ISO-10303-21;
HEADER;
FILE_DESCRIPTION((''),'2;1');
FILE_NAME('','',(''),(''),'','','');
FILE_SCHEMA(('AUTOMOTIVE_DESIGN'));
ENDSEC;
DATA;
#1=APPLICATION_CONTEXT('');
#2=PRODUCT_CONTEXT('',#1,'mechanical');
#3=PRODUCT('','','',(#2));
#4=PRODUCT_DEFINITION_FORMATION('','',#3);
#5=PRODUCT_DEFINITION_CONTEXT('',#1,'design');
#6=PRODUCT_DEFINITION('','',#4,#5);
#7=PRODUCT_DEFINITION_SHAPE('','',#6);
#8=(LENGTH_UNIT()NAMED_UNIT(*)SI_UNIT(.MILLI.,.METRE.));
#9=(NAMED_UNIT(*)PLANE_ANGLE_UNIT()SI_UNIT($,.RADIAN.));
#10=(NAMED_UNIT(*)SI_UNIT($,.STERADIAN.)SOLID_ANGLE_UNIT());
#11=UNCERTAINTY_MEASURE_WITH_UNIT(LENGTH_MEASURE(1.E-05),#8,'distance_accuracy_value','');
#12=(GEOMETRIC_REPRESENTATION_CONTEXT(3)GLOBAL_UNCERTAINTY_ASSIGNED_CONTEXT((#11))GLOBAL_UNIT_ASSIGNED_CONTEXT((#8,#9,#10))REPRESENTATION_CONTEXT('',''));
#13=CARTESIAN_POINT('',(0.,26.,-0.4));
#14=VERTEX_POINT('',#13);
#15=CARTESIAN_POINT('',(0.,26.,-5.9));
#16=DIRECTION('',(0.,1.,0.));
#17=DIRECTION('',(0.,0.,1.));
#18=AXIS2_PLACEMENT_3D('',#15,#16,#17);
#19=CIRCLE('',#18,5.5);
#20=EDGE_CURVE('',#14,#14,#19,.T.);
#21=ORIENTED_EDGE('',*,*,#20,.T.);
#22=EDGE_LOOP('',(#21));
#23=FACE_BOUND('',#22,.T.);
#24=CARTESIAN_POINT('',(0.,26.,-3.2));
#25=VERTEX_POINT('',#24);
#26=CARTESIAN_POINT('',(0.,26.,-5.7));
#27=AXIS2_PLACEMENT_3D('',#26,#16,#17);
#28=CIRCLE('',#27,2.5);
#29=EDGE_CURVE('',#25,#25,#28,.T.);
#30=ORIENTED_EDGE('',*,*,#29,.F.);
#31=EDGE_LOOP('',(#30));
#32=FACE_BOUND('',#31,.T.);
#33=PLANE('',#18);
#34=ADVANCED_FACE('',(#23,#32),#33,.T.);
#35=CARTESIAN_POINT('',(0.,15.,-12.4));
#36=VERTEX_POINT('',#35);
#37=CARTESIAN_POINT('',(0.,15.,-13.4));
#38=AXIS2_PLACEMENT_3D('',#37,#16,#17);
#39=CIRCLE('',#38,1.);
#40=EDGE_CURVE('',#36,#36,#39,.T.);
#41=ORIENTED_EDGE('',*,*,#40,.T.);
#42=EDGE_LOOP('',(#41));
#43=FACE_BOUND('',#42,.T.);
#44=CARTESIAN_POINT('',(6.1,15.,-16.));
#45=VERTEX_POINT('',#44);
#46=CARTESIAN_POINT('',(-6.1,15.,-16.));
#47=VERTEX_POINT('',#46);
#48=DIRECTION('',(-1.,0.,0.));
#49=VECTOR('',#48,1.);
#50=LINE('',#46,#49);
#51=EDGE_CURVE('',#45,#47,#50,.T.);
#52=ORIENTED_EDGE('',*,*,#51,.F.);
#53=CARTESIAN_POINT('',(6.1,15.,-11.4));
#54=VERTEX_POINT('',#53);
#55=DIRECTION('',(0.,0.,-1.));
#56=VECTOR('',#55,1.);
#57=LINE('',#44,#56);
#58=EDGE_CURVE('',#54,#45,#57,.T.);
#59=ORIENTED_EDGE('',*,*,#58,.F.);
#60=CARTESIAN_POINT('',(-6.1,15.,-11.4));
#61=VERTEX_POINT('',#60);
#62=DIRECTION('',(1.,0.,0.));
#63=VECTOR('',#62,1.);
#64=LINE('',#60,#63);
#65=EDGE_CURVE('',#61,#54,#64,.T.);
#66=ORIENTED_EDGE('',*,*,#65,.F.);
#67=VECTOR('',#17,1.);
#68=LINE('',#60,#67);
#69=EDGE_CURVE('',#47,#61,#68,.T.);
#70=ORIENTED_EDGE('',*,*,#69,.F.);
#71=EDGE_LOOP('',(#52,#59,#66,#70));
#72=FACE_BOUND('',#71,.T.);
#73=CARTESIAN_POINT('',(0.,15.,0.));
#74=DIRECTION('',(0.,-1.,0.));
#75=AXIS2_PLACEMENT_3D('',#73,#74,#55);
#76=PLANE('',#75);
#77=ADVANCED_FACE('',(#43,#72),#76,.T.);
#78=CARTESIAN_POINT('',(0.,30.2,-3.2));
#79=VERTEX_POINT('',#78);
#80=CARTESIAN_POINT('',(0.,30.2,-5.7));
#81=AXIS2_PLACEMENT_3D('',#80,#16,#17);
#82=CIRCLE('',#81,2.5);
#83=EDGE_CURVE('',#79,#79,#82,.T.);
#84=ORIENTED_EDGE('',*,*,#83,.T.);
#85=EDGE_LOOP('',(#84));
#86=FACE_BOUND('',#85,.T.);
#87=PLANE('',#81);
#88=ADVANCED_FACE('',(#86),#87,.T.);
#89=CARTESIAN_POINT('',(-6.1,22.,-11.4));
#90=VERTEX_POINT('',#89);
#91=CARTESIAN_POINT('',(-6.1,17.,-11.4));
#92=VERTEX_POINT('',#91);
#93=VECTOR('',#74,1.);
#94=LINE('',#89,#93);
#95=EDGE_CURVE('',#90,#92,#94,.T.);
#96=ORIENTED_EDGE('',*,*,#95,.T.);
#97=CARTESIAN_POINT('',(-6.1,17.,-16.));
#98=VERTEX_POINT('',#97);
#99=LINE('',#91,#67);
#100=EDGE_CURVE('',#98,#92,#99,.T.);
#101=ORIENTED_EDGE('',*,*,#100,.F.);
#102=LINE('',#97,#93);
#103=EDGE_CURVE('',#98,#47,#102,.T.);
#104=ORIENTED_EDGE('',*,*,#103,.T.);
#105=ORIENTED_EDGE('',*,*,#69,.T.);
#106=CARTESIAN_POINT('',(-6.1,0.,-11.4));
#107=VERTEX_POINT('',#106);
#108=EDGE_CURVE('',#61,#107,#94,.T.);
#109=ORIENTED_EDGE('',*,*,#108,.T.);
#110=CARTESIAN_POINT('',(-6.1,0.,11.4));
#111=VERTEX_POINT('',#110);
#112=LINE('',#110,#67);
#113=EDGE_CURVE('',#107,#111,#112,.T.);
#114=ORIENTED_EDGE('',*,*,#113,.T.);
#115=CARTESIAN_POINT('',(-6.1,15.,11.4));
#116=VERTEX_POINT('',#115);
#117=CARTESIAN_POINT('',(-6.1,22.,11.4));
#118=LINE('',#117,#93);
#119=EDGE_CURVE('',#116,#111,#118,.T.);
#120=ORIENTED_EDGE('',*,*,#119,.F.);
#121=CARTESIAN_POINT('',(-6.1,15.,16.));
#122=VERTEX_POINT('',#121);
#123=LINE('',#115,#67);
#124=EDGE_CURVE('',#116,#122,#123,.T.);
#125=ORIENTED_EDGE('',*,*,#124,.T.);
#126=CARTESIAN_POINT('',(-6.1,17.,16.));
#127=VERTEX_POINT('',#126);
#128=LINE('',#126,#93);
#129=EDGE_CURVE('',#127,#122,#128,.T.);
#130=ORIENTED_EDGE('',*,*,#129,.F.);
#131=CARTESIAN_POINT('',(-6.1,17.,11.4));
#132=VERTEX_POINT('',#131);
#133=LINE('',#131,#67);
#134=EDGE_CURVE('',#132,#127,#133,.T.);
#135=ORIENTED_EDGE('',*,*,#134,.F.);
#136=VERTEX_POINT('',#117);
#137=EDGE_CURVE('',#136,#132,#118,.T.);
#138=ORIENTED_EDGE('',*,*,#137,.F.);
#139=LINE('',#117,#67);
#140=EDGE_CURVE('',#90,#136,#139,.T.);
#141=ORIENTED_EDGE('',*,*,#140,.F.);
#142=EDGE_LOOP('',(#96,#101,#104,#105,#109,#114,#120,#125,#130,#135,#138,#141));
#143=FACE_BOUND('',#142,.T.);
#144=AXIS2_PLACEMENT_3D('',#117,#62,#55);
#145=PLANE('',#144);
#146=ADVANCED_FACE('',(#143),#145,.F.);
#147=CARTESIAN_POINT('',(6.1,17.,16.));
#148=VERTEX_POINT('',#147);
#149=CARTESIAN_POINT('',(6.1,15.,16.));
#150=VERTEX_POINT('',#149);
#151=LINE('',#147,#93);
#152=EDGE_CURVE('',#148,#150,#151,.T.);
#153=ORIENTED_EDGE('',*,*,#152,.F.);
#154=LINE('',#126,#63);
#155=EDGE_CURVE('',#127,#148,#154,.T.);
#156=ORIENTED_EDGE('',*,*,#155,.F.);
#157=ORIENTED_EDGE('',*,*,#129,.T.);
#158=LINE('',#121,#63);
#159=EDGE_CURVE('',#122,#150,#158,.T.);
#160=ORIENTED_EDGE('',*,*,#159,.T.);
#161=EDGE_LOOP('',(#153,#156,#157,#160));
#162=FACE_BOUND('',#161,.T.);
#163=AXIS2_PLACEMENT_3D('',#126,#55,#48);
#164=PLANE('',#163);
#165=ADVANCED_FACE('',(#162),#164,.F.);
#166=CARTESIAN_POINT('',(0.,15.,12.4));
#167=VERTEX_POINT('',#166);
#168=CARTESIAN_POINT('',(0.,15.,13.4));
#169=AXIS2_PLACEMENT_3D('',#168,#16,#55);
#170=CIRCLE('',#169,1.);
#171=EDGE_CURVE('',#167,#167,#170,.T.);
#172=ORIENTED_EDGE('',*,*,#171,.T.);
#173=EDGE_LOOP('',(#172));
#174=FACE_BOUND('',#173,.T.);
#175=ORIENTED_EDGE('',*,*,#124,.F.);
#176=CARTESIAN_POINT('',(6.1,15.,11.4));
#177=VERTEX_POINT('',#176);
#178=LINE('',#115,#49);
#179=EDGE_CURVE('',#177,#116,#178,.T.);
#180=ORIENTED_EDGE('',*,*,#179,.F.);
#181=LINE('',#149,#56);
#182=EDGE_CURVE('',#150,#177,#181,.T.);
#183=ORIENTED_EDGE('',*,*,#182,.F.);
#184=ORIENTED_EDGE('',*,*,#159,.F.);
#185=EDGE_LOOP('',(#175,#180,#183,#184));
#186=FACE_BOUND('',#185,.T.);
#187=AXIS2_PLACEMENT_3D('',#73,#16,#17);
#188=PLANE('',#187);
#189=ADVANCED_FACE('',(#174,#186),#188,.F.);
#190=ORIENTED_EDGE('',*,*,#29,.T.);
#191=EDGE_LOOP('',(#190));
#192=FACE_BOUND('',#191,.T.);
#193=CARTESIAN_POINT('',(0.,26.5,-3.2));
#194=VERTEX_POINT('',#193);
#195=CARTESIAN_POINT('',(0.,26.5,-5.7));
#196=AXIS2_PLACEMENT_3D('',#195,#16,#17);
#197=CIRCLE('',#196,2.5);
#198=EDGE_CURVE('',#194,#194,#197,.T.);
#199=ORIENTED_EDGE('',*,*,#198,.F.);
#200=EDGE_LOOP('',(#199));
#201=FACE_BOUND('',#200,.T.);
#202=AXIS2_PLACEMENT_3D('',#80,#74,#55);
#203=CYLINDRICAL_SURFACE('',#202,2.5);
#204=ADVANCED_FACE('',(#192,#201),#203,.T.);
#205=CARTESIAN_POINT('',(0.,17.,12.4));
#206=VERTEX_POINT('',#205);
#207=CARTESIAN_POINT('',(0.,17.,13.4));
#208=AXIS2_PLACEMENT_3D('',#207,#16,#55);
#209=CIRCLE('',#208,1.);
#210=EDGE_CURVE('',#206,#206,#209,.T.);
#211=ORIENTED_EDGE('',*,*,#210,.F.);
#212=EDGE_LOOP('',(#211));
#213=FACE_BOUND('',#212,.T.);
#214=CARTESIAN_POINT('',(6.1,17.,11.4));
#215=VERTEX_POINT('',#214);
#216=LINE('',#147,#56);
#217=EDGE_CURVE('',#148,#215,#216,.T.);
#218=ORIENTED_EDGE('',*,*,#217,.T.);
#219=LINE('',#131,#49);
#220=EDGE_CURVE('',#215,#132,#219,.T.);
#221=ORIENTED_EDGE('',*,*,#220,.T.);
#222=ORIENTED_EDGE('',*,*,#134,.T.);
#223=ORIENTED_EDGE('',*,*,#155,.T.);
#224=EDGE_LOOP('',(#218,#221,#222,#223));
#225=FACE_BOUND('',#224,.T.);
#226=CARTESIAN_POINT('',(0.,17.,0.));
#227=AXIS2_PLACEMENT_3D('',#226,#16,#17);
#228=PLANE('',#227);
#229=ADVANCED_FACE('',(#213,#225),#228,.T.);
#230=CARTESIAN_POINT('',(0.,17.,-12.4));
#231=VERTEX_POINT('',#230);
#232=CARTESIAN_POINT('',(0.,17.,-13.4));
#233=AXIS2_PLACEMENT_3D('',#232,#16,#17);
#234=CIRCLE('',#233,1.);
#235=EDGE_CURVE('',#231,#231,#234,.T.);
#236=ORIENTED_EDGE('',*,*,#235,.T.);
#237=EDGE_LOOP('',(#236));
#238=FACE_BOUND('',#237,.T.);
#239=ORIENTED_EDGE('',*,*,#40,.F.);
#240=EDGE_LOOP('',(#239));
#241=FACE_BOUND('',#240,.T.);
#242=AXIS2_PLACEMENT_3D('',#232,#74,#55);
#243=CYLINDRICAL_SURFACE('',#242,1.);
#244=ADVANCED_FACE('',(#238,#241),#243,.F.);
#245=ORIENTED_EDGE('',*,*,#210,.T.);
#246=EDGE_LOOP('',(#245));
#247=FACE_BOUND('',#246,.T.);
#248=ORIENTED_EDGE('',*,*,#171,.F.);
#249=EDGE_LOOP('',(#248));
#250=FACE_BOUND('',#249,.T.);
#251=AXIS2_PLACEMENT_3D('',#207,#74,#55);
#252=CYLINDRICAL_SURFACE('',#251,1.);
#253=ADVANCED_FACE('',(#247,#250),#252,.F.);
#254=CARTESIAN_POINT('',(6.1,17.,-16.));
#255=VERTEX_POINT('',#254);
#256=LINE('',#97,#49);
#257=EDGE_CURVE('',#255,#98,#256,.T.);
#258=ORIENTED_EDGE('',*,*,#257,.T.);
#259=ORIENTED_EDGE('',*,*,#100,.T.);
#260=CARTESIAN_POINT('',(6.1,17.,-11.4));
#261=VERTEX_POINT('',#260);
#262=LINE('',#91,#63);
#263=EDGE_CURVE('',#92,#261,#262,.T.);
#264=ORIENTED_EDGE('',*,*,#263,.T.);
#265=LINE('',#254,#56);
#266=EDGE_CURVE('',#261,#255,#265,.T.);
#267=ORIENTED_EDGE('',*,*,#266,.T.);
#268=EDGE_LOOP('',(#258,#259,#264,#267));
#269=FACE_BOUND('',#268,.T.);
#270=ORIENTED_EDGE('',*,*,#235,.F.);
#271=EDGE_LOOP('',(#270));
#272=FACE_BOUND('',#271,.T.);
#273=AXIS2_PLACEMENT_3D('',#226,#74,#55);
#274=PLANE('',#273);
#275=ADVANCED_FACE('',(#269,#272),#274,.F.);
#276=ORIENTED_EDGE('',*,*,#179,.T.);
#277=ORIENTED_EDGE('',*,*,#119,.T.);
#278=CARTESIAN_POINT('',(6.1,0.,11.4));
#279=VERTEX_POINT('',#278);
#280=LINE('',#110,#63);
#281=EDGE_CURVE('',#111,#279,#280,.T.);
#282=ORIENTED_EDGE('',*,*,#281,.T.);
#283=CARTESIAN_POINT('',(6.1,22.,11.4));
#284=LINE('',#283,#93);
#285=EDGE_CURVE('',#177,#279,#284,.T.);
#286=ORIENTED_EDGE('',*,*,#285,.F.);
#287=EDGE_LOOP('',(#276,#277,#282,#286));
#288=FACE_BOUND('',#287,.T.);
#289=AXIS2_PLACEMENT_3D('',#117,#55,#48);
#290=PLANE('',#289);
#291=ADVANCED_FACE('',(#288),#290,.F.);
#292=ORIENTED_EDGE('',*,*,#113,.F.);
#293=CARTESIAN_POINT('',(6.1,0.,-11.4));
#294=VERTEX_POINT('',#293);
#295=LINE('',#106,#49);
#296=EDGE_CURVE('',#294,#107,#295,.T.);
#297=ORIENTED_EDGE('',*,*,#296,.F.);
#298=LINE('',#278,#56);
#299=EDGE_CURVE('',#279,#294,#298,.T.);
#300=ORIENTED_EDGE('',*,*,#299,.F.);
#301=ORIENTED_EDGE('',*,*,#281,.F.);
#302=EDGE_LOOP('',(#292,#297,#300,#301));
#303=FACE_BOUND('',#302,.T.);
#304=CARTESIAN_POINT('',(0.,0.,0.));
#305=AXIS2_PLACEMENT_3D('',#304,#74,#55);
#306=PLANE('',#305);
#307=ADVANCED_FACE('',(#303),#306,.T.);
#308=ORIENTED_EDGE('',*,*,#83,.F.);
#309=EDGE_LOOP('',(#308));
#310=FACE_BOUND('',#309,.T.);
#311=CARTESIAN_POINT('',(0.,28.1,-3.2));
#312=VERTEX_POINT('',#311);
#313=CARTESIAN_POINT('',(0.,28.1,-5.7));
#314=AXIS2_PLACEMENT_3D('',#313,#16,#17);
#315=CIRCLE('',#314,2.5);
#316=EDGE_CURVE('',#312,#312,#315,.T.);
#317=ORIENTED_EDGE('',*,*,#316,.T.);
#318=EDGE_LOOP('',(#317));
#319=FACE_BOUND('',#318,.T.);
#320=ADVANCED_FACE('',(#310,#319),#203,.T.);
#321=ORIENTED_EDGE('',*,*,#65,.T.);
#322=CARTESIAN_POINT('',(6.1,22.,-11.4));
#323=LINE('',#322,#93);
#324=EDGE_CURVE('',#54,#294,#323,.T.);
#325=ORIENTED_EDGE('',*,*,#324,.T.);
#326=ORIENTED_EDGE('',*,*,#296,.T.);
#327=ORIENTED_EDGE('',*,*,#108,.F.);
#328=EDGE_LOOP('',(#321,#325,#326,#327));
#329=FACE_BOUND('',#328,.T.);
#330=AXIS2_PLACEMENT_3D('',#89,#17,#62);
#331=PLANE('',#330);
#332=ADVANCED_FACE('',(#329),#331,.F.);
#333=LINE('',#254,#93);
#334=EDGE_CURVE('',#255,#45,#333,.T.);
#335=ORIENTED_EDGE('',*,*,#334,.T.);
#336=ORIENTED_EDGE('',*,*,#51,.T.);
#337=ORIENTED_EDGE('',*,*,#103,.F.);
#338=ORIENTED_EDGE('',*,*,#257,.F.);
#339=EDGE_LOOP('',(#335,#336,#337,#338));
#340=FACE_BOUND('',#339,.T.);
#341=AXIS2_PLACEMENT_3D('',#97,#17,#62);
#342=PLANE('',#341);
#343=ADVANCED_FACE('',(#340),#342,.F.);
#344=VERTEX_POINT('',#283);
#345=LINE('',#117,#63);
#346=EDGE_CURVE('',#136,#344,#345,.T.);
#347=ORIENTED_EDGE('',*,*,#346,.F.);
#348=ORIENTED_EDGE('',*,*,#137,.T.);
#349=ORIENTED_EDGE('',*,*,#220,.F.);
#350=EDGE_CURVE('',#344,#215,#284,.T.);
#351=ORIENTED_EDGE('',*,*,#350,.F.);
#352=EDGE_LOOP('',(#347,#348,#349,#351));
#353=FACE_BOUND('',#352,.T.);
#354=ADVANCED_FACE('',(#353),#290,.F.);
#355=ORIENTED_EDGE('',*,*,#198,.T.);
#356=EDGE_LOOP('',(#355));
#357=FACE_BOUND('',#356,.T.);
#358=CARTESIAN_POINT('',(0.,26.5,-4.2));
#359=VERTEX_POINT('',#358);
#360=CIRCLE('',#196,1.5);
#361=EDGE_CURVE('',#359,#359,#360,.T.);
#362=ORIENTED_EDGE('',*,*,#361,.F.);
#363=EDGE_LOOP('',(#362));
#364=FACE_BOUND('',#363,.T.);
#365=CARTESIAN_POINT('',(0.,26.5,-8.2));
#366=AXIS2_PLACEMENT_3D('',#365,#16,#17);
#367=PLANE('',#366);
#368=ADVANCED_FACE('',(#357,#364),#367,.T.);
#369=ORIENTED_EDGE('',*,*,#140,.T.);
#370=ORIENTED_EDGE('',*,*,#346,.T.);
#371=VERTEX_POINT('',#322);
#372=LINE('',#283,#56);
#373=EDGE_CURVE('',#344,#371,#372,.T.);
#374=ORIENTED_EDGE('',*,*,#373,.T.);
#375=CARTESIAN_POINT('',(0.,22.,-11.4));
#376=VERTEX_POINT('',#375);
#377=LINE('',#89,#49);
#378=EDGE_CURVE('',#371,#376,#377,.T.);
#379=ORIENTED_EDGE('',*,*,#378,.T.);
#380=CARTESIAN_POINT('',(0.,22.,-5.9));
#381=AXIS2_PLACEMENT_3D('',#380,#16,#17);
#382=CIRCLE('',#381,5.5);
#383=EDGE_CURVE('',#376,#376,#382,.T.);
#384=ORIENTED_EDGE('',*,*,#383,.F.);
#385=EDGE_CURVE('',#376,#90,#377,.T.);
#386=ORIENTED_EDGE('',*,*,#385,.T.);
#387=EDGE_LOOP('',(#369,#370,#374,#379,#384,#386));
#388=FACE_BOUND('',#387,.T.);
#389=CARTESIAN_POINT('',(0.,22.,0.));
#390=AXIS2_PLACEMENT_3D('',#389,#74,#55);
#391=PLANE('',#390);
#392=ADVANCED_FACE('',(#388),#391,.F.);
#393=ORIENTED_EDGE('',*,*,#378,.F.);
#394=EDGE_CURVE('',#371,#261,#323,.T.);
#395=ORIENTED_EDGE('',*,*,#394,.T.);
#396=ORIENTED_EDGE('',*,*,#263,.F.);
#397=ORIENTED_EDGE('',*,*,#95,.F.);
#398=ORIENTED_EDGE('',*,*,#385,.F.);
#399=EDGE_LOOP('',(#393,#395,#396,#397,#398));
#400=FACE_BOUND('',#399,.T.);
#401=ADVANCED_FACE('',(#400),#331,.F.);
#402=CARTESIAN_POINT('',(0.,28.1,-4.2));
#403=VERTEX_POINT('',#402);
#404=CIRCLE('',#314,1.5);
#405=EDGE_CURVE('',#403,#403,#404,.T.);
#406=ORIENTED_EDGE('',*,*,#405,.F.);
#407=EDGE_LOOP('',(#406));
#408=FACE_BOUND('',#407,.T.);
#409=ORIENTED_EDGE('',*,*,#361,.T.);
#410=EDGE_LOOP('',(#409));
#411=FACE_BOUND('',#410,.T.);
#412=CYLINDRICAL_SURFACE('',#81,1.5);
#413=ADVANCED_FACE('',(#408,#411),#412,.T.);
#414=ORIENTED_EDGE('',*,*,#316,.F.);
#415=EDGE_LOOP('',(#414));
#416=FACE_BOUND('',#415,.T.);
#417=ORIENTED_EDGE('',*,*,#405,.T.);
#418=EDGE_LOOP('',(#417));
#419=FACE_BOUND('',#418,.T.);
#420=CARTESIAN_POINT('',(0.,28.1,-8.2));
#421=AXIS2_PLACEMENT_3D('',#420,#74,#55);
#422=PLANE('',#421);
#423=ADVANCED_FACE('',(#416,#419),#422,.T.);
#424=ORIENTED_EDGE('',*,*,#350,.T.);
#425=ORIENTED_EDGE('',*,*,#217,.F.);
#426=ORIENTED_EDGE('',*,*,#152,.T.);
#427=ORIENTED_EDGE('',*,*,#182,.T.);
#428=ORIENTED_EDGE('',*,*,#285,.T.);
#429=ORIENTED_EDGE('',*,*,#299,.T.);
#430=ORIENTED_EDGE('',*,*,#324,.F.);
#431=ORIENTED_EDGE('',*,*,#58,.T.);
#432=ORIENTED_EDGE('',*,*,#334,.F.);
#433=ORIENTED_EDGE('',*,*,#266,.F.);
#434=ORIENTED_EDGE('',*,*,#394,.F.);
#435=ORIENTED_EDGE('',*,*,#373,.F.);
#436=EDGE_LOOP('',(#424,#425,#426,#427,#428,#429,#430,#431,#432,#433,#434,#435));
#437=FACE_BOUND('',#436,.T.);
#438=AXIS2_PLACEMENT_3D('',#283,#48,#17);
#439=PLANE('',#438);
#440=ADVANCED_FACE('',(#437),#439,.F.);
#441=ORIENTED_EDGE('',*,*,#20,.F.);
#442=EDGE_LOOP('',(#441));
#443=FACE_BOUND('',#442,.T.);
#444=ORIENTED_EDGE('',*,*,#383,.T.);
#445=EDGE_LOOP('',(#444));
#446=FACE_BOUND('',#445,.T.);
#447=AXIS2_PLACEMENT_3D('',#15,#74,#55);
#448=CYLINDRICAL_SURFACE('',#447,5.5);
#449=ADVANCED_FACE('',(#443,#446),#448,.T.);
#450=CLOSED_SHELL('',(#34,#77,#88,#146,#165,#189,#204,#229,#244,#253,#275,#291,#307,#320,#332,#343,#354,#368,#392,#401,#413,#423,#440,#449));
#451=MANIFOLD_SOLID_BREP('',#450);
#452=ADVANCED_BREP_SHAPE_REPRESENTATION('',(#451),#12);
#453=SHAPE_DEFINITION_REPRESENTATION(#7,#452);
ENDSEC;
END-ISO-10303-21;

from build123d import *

# Parameters (mm, degrees)
SKETCH2_W           = 12.2
SKETCH2_H           = 22.8
BOSS_EXTRUDE1_DEPTH = 22
SKETCH3_W           = 12.2
SKETCH3_H           = 4.6
SKETCH3_R           = 1
BOSS_EXTRUDE2_DEPTH = 2
SKETCH4_R           = 5.5
BOSS_EXTRUDE3_DEPTH = 4
SKETCH5_R           = 2.5
BOSS_EXTRUDE4_DEPTH = 4.2
SKETCH6_W           = 1
SKETCH6_H           = 1.6


with BuildPart() as part:
    # Sketch2 → Boss-Extrude1 (new body)
    with BuildSketch(Plane(origin=(0, 0, 0), x_dir=(1, 0, 0), z_dir=(0, 1, 0))):
        Rectangle(SKETCH2_W, SKETCH2_H)
    extrude(amount=BOSS_EXTRUDE1_DEPTH)

    # Sketch3 → Boss-Extrude2 (add)
    with BuildSketch(Plane(origin=(0, 15, 0), x_dir=(1, 0, 0), z_dir=(0, 1, 0))):
        with Locations((0, 13.7)):
            Rectangle(SKETCH3_W, SKETCH3_H)
        with Locations((0, 13.4)):
            Circle(SKETCH3_R, mode=Mode.SUBTRACT)
        with Locations((0, -13.7)):
            Rectangle(SKETCH3_W, SKETCH3_H)
        with Locations((0, -13.4)):
            Circle(SKETCH3_R, mode=Mode.SUBTRACT)
    extrude(amount=BOSS_EXTRUDE2_DEPTH)

    # Sketch4 → Boss-Extrude3 (add)
    with BuildSketch(Plane(origin=(0, 22, 0), x_dir=(1, 0, 0), z_dir=(0, 1, 0))):
        with Locations((0, 5.9)):
            Circle(SKETCH4_R)
    extrude(amount=BOSS_EXTRUDE3_DEPTH)

    # Sketch5 → Boss-Extrude4 (add)
    with BuildSketch(Plane(origin=(0, 26, 0), x_dir=(1, 0, 0), z_dir=(0, 1, 0))):
        with Locations((0, 5.7)):
            Circle(SKETCH5_R)
    extrude(amount=BOSS_EXTRUDE4_DEPTH)

    # Sketch6 → Cut-Revolve1 (revolve, cut)
    with BuildSketch(Plane(origin=(0, 0, 0), x_dir=(0, 0, -1), z_dir=(1, 0, 0))):
        with Locations((7.7, 27.3)):
            Rectangle(SKETCH6_W, SKETCH6_H)
    revolve(axis=Axis((0, 30.2, -5.7), (0, -1, 0)), mode=Mode.SUBTRACT)


solid = part.part
